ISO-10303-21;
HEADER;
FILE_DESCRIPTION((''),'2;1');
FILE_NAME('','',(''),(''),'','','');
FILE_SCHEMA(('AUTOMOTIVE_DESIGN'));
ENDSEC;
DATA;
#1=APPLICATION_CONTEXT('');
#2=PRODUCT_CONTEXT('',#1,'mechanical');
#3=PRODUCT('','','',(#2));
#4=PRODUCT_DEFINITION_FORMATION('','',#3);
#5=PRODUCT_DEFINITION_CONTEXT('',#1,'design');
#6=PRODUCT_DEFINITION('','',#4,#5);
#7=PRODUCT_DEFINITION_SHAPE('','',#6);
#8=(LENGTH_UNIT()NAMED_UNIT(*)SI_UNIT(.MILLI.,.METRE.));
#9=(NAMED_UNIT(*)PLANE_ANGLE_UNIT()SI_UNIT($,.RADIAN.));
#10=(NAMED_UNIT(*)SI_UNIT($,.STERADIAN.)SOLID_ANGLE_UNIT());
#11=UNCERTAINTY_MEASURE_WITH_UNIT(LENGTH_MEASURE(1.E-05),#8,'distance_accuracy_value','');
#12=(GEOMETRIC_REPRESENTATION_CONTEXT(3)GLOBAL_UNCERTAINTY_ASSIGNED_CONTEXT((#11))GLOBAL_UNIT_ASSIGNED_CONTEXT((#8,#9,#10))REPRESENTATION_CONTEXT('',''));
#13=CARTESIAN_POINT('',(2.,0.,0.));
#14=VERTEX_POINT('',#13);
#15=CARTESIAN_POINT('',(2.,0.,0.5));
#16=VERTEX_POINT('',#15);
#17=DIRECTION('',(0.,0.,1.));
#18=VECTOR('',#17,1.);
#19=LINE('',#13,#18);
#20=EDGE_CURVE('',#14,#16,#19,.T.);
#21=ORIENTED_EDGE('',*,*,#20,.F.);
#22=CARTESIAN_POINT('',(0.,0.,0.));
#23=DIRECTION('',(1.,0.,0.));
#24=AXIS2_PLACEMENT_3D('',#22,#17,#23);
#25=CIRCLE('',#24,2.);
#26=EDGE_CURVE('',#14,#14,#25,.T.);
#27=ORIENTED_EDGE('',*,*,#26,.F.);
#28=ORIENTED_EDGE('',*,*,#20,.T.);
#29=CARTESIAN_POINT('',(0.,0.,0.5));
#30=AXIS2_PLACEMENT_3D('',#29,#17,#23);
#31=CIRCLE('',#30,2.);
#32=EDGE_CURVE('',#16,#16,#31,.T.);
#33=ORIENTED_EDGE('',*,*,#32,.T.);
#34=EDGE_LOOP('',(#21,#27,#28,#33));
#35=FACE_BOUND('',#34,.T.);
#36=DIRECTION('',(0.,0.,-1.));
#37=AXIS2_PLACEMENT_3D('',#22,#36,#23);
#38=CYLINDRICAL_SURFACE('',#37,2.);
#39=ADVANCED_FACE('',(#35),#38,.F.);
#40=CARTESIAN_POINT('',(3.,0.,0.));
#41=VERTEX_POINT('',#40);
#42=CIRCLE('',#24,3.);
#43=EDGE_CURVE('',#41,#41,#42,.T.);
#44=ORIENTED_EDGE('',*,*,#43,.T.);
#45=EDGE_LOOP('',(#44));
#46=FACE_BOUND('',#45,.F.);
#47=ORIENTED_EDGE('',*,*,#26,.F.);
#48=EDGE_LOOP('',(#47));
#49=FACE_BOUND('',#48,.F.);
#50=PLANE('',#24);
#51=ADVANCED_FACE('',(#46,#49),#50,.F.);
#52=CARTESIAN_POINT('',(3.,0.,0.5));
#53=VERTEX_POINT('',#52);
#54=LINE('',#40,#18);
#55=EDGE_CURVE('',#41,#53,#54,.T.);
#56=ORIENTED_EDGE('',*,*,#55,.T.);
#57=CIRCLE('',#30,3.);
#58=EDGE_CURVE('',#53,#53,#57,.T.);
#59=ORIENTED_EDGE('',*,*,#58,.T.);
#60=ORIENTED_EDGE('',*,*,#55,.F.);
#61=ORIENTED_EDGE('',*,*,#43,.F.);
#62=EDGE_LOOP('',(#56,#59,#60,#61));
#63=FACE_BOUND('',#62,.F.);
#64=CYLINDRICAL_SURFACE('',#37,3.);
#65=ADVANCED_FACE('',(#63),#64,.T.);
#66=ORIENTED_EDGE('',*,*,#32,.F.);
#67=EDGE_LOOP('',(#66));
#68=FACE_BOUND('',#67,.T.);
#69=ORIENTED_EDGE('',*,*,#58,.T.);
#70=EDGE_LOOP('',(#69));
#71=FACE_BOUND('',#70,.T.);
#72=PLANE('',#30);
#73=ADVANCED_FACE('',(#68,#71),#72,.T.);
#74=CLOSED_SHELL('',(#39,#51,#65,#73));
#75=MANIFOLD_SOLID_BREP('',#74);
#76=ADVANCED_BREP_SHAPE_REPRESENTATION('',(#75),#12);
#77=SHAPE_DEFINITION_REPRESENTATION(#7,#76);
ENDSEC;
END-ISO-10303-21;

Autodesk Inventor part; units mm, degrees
ref_plane "YZ Plane" through (0, 0, 0) normal (1, 0, 0) x (0, 1, 0)
ref_plane "XZ Plane" through (0, 0, 0) normal (0, 1, 0) x (-1, 0, 0)
ref_plane "XY Plane" through (0, 0, 0) normal (0, 0, 1) x (1, 0, 0)
sketch "スケッチ1" plane through (0, 0, 0) normal (0, 0, 1) x (1, 0, 0)
  circle A0 centre (0, 0) radius 3
  circle A1 centre (0, 0) radius 2
  dimension "d0" = 4
  dimension "d1" = 6
extrude "押し出し1" add sketch "スケッチ1" along normal blind 0.5
properties part number "02" material "真鍮、ソフト イエロー"
